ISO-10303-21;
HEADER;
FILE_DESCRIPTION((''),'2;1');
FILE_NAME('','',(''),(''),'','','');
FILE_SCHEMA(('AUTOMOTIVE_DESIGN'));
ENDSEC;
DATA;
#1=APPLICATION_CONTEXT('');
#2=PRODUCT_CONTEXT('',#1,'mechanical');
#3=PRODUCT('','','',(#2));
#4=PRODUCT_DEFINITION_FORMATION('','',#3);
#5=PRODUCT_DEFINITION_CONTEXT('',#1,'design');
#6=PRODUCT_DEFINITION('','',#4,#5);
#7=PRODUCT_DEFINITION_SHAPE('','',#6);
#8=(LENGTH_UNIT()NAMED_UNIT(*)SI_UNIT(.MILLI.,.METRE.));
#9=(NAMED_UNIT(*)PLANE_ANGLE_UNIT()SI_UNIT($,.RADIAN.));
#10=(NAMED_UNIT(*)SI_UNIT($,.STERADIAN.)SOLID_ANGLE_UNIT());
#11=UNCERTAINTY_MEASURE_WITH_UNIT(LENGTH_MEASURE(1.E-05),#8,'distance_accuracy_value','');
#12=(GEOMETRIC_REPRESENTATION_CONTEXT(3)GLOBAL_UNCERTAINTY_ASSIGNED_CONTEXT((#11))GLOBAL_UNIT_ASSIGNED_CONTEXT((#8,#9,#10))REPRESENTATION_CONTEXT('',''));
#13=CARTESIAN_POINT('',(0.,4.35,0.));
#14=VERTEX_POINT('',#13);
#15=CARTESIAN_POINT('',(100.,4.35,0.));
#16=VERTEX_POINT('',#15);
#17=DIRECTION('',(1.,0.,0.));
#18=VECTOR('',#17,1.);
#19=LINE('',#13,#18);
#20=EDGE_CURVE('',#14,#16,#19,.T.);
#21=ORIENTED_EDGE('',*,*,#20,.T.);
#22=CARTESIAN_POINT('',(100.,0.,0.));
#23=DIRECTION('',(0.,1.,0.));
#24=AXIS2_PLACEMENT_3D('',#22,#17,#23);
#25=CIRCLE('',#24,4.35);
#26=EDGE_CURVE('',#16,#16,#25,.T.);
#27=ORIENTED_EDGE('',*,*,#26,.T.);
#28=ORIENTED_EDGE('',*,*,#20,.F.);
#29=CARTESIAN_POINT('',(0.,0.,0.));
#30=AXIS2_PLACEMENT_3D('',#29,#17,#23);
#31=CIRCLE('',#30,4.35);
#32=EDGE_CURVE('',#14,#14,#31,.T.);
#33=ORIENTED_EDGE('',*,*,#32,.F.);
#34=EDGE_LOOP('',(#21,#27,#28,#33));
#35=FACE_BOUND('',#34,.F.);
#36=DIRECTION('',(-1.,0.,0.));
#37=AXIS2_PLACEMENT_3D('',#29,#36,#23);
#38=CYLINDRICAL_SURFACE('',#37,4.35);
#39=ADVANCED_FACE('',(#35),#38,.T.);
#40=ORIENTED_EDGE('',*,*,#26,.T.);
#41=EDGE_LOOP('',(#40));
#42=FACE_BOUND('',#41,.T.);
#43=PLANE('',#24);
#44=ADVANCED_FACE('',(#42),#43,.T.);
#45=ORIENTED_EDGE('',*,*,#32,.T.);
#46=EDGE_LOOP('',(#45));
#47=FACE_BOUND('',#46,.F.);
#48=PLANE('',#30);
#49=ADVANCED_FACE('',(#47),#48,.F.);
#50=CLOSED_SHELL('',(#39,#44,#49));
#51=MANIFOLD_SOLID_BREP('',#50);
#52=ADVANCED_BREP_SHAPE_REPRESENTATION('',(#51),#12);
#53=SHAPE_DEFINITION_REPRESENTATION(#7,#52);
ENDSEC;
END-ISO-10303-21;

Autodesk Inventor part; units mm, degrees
ref_plane "YZ Plane" through (0, 0, 0) normal (1, 0, 0) x (0, 1, 0)
ref_plane "XZ Plane" through (0, 0, 0) normal (0, 1, 0) x (-1, 0, 0)
ref_plane "XY Plane" through (0, 0, 0) normal (0, 0, 1) x (1, 0, 0)
sketch "Sketch2" plane through (0, 0, 0) normal (1, 0, 0) x (0, 1, 0)
  circle A0 centre (0, 0) radius 4.35
  dimension "d3" = 8.7
extrude "Extrusion2" add sketch "Sketch2" along normal blind 100
properties part number "AVI_screw_part1.1"
